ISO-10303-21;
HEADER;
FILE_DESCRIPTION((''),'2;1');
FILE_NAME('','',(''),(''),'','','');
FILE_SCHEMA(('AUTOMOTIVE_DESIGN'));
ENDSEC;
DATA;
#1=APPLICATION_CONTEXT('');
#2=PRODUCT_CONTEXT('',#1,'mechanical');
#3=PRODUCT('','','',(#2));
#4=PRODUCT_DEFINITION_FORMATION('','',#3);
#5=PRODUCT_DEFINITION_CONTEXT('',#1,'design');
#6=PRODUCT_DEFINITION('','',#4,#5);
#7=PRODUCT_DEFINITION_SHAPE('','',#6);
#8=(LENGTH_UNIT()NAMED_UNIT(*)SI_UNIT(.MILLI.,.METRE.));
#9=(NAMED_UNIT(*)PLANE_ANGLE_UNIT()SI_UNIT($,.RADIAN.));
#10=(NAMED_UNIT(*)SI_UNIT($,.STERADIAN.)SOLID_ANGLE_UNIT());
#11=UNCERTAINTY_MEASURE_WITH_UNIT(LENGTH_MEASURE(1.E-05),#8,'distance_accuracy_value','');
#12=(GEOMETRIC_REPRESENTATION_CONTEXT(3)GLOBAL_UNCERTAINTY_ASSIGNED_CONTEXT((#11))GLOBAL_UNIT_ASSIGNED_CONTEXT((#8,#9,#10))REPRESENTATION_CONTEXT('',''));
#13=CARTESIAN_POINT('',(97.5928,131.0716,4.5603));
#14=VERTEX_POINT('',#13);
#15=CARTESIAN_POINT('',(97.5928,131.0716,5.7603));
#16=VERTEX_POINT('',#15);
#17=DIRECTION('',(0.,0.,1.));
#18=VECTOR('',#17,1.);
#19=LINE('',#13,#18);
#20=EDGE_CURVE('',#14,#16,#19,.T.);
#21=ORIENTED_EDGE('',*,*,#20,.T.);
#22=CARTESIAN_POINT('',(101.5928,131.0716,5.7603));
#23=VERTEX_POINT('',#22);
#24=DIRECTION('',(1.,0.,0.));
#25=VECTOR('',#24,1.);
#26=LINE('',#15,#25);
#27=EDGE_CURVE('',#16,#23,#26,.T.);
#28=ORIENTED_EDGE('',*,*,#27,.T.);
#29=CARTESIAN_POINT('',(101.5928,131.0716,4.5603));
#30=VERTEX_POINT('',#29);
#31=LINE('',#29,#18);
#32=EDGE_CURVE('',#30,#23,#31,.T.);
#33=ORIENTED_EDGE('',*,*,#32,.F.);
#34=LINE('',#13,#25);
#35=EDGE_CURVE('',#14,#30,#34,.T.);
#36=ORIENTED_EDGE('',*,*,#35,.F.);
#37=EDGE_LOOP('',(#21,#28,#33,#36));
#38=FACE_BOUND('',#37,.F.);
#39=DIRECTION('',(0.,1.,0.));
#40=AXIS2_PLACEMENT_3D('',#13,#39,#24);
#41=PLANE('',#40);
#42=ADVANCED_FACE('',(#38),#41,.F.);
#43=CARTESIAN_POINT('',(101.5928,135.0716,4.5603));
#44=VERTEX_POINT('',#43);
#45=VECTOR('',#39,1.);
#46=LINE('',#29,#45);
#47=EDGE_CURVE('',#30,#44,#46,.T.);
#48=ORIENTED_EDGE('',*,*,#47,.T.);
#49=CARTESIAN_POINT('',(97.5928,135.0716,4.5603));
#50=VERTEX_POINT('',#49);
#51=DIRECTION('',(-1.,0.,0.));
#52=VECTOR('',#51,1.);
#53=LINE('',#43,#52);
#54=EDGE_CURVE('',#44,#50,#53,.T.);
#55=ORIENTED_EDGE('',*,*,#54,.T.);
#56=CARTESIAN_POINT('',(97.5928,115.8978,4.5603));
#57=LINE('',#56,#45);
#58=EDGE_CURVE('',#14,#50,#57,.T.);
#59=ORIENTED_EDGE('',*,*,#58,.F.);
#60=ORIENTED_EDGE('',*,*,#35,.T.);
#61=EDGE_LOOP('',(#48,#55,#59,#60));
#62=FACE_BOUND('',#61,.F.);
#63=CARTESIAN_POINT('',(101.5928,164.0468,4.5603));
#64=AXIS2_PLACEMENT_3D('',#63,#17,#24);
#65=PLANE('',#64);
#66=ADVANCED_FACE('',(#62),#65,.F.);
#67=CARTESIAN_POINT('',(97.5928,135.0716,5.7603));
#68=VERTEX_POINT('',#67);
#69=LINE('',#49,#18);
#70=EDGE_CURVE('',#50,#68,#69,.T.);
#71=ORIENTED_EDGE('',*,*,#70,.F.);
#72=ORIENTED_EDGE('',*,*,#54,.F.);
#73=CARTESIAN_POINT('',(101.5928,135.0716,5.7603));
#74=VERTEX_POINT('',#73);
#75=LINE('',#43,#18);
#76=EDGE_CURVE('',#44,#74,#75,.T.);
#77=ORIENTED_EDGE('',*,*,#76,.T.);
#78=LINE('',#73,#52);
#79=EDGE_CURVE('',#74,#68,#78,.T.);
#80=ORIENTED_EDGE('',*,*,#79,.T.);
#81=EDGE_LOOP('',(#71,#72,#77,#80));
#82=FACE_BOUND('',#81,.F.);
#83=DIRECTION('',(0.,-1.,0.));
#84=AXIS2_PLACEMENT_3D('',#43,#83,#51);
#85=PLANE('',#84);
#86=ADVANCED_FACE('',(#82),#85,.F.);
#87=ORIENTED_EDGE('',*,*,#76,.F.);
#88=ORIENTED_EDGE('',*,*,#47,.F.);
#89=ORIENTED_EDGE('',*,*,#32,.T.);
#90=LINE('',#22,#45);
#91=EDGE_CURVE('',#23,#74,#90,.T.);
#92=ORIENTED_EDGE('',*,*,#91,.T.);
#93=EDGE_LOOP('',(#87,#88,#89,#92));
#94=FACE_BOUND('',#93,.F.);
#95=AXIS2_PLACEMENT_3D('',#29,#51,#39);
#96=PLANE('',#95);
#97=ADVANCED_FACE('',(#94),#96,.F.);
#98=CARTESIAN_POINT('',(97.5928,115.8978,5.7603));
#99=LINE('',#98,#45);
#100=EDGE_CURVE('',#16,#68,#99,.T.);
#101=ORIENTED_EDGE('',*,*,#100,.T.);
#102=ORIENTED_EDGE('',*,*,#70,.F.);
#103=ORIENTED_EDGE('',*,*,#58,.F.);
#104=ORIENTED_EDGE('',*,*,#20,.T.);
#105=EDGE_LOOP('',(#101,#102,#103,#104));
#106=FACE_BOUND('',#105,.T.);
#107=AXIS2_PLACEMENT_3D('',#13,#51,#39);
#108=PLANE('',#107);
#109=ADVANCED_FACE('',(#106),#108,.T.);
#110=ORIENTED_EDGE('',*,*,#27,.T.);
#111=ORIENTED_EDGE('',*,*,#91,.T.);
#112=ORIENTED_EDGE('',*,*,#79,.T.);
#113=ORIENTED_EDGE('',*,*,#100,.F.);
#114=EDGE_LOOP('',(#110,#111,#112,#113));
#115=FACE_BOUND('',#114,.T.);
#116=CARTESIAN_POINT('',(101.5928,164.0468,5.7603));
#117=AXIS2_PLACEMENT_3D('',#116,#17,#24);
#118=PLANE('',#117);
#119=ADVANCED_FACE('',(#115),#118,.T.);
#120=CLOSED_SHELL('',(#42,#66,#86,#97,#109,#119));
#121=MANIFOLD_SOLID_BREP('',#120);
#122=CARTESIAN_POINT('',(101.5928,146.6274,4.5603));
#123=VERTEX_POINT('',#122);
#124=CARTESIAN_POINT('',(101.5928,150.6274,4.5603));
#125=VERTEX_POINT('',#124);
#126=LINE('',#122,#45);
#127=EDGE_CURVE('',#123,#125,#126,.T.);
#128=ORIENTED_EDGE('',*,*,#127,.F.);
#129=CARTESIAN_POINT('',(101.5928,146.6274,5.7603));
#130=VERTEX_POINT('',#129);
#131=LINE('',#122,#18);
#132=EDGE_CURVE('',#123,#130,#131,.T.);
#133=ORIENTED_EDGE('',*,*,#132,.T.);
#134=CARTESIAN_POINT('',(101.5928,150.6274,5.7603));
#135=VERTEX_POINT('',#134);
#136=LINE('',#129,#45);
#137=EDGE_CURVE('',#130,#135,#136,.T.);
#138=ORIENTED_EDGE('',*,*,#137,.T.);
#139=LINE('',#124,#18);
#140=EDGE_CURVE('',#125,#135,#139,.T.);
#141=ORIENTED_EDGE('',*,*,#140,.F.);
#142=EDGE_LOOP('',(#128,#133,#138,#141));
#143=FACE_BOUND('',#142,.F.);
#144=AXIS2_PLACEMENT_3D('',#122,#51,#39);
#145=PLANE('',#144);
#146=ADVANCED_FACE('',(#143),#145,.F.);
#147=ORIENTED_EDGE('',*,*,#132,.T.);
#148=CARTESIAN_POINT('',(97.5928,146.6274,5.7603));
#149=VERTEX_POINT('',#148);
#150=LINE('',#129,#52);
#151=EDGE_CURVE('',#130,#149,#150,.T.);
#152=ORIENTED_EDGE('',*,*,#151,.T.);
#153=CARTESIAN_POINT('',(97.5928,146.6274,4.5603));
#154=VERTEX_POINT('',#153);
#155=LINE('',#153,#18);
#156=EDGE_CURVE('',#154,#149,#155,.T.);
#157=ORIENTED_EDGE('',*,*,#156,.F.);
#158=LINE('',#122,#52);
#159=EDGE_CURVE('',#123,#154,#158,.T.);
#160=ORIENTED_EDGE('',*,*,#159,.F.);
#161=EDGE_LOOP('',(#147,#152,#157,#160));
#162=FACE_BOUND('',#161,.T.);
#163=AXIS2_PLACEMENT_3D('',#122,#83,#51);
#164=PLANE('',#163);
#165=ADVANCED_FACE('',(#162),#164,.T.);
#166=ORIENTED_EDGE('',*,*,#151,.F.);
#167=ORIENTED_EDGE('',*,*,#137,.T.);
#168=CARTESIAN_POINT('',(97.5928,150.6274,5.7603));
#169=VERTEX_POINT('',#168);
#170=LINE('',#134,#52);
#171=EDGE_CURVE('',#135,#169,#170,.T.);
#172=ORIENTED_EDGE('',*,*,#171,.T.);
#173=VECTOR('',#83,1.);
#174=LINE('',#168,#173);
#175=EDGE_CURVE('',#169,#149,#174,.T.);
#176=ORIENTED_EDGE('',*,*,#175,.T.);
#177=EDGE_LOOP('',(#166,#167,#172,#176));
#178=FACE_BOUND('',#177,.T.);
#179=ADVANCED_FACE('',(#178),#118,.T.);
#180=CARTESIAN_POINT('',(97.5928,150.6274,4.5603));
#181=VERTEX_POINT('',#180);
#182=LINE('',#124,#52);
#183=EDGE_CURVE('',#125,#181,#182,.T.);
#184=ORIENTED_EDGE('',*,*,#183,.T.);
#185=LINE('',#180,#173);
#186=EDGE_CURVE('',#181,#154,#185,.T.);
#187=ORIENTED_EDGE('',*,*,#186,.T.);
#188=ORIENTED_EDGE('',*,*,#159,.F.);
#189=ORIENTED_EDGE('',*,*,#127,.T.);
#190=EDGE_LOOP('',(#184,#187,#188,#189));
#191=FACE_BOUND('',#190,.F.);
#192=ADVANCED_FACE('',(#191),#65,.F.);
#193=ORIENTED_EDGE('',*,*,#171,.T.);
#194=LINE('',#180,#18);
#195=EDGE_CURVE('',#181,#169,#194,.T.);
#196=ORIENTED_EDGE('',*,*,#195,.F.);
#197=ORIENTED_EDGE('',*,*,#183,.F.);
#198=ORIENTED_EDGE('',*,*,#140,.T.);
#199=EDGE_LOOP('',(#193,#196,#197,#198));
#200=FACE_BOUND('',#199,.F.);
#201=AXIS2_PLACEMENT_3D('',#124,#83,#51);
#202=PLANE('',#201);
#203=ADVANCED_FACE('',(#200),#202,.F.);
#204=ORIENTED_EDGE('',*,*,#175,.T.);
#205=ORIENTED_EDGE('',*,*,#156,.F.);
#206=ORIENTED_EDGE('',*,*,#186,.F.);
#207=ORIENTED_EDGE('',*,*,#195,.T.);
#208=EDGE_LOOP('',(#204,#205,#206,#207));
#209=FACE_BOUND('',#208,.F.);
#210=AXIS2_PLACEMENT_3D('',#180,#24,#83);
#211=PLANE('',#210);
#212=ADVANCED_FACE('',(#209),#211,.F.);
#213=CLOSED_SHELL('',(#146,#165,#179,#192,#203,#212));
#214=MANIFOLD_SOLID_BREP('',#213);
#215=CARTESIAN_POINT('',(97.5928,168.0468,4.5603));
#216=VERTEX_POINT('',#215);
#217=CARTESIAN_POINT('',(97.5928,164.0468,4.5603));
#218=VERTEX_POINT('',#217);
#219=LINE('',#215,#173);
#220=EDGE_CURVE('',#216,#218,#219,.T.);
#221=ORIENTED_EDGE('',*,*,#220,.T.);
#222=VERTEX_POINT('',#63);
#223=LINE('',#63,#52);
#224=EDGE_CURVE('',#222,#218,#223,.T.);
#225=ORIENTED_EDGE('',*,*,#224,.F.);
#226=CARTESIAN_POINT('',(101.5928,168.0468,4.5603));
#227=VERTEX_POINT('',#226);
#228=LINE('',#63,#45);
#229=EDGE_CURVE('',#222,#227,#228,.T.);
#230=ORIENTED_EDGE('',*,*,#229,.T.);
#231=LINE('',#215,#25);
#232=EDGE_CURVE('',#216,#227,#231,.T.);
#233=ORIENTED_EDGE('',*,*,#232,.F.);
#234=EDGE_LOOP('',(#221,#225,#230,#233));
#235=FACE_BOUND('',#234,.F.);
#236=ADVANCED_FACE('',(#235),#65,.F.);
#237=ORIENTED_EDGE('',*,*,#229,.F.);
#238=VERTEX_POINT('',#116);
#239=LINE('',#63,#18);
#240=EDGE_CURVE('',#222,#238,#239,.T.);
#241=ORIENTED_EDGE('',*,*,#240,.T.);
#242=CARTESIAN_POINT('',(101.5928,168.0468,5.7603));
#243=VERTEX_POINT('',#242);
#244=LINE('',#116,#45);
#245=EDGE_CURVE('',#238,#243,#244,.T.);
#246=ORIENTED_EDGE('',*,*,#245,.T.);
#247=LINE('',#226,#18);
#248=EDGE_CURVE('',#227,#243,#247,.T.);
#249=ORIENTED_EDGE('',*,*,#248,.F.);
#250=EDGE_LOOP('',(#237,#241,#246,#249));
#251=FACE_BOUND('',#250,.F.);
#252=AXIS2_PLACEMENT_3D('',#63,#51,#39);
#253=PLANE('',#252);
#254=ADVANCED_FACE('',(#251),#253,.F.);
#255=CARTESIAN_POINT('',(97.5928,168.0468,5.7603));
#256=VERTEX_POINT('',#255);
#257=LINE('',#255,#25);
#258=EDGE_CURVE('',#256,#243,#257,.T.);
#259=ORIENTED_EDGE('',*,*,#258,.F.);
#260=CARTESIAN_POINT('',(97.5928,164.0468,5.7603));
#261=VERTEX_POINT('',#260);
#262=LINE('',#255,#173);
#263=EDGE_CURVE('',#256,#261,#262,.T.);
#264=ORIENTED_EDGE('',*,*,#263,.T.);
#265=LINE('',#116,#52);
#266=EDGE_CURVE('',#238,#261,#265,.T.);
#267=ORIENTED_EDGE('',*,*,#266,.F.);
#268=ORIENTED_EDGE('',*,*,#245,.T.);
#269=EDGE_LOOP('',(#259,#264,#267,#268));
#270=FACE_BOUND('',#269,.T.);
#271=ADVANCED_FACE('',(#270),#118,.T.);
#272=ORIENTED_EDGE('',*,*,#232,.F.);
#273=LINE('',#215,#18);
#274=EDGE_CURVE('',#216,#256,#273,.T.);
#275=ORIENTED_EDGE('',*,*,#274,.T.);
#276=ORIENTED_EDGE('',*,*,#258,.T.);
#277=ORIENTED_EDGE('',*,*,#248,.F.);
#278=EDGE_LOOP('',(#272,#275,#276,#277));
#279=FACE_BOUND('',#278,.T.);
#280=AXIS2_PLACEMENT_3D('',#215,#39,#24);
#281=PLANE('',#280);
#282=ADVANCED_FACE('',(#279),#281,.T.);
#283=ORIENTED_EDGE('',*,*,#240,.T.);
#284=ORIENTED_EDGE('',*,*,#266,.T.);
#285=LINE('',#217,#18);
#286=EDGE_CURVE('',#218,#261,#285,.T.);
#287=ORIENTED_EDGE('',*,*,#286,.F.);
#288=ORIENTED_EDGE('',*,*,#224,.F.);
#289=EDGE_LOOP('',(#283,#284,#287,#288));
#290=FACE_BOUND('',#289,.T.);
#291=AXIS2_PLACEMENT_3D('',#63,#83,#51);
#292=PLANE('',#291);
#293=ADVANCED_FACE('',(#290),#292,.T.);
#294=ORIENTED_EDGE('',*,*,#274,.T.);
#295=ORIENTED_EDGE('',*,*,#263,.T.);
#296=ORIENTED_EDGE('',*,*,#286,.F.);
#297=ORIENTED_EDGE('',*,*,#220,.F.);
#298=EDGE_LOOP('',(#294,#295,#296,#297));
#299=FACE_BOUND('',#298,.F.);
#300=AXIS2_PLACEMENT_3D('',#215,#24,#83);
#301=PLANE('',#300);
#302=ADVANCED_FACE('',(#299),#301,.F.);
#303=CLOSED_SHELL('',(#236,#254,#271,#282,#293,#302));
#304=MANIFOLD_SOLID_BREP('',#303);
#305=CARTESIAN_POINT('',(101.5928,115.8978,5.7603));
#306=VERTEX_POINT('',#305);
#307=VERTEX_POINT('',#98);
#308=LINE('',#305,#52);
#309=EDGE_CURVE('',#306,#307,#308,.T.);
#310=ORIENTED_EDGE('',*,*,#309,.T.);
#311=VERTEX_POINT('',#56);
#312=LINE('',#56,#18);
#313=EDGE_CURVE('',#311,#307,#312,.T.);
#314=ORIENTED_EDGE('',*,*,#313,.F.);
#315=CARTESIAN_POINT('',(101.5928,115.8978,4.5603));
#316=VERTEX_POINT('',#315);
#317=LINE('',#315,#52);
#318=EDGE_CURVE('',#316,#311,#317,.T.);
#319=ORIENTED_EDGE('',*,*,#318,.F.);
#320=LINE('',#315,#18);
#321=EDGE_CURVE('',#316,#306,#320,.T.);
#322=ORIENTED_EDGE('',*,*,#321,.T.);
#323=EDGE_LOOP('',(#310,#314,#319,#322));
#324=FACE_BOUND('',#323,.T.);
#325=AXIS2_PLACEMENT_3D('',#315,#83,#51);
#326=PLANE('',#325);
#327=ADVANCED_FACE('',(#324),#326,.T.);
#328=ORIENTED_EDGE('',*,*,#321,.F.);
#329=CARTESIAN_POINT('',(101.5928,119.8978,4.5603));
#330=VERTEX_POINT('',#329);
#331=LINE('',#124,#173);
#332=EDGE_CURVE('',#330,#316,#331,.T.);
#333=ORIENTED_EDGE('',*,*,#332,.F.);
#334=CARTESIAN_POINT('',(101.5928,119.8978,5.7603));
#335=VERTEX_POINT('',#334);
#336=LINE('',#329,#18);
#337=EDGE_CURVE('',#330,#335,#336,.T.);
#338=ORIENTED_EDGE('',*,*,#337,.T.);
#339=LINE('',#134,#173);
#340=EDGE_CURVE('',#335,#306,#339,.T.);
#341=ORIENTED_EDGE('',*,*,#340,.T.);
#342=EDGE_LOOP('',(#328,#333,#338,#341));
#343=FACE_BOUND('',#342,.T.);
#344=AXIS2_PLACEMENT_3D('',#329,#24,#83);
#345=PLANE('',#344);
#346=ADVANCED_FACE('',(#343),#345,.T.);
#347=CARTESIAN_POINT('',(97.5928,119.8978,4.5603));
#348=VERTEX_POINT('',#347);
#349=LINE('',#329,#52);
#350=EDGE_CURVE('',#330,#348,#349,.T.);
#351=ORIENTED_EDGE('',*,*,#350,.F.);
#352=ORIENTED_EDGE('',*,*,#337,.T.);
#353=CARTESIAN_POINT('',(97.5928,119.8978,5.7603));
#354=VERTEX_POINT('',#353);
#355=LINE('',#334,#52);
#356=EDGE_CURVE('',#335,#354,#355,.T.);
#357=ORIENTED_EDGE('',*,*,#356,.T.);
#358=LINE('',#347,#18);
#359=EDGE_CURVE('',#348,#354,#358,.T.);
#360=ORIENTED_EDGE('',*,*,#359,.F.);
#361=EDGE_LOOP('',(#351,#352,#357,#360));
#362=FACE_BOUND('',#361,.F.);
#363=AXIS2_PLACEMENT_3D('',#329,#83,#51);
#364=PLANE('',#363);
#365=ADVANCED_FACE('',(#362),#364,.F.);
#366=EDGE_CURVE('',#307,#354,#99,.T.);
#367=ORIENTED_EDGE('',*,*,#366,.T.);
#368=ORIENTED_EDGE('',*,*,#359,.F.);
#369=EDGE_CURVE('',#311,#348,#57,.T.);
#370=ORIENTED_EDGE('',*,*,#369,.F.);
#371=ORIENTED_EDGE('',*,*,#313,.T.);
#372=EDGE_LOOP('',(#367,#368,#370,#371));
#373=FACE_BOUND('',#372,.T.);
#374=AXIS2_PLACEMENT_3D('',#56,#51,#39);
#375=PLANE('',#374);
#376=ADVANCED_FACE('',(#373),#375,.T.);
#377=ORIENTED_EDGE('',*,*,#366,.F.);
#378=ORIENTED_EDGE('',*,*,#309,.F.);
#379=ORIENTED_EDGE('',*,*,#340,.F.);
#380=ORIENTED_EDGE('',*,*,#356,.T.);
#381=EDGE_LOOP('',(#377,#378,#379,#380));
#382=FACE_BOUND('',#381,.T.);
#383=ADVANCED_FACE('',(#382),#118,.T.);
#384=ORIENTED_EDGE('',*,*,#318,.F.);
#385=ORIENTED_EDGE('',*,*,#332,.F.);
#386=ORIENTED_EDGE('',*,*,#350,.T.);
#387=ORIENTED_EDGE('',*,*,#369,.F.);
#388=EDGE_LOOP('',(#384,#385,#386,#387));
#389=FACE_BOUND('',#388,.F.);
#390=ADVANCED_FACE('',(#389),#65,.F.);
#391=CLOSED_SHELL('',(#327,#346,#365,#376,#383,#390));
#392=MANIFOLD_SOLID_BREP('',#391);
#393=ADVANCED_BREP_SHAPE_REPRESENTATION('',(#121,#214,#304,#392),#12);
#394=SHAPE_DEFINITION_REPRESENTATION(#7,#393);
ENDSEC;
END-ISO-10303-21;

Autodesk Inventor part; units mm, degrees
ref_plane "YZ Plane" through (0, 0, 0) normal (1, 0, 0) x (0, 1, 0)
ref_plane "XZ Plane" through (0, 0, 0) normal (0, 1, 0) x (-1, 0, 0)
ref_plane "XY Plane" through (0, 0, 0) normal (0, 0, 1) x (1, 0, 0)
sketch "Sketch1" plane through (101.5928, 164.0468, 4.5603) normal (0, 0, 1) x (1, 0, 0)
  line L0 (0, 0) -> (-4, 0) projected
  line L1 (0, 0) -> (0, 4) projected
  line L2 (-4, 4) -> (0, 4) projected
  line L3 (-4, 4) -> (-4, 0) projected
  line L4 (0, -17.4194) -> (-4, -17.4194) projected
  line L5 (0, -17.4194) -> (0, -13.4194) projected
  line L6 (0, -13.4194) -> (-4, -13.4194) projected
  line L7 (-4, -13.4194) -> (-4, -17.4194) projected
  line L8 (-4, -32.9752) -> (0, -32.9752) projected
  line L9 (0, -32.9752) -> (0, -28.9752) projected
  line L10 (0, -28.9752) -> (-4, -28.9752) projected
  line L11 (-4, -48.149) -> (-4, -4.9154) projected
  line L12 (0, -44.149) -> (-4, -44.149) projected
  line L13 (0, -48.149) -> (-4, -48.149) projected
  line L14 (0, -13.4194) -> (0, -48.149) projected
  point P0 (-101.5928, -164.0468)
extrude "Extrusion1" add sketch "Sketch1" along normal blind 1.2 contours L0 L3 L2 L1 | L4 L7 L6 L5 | L9 L8 L11 L10 | L14 L13 L11 L12
properties part number "prone_mouse_bottom"
